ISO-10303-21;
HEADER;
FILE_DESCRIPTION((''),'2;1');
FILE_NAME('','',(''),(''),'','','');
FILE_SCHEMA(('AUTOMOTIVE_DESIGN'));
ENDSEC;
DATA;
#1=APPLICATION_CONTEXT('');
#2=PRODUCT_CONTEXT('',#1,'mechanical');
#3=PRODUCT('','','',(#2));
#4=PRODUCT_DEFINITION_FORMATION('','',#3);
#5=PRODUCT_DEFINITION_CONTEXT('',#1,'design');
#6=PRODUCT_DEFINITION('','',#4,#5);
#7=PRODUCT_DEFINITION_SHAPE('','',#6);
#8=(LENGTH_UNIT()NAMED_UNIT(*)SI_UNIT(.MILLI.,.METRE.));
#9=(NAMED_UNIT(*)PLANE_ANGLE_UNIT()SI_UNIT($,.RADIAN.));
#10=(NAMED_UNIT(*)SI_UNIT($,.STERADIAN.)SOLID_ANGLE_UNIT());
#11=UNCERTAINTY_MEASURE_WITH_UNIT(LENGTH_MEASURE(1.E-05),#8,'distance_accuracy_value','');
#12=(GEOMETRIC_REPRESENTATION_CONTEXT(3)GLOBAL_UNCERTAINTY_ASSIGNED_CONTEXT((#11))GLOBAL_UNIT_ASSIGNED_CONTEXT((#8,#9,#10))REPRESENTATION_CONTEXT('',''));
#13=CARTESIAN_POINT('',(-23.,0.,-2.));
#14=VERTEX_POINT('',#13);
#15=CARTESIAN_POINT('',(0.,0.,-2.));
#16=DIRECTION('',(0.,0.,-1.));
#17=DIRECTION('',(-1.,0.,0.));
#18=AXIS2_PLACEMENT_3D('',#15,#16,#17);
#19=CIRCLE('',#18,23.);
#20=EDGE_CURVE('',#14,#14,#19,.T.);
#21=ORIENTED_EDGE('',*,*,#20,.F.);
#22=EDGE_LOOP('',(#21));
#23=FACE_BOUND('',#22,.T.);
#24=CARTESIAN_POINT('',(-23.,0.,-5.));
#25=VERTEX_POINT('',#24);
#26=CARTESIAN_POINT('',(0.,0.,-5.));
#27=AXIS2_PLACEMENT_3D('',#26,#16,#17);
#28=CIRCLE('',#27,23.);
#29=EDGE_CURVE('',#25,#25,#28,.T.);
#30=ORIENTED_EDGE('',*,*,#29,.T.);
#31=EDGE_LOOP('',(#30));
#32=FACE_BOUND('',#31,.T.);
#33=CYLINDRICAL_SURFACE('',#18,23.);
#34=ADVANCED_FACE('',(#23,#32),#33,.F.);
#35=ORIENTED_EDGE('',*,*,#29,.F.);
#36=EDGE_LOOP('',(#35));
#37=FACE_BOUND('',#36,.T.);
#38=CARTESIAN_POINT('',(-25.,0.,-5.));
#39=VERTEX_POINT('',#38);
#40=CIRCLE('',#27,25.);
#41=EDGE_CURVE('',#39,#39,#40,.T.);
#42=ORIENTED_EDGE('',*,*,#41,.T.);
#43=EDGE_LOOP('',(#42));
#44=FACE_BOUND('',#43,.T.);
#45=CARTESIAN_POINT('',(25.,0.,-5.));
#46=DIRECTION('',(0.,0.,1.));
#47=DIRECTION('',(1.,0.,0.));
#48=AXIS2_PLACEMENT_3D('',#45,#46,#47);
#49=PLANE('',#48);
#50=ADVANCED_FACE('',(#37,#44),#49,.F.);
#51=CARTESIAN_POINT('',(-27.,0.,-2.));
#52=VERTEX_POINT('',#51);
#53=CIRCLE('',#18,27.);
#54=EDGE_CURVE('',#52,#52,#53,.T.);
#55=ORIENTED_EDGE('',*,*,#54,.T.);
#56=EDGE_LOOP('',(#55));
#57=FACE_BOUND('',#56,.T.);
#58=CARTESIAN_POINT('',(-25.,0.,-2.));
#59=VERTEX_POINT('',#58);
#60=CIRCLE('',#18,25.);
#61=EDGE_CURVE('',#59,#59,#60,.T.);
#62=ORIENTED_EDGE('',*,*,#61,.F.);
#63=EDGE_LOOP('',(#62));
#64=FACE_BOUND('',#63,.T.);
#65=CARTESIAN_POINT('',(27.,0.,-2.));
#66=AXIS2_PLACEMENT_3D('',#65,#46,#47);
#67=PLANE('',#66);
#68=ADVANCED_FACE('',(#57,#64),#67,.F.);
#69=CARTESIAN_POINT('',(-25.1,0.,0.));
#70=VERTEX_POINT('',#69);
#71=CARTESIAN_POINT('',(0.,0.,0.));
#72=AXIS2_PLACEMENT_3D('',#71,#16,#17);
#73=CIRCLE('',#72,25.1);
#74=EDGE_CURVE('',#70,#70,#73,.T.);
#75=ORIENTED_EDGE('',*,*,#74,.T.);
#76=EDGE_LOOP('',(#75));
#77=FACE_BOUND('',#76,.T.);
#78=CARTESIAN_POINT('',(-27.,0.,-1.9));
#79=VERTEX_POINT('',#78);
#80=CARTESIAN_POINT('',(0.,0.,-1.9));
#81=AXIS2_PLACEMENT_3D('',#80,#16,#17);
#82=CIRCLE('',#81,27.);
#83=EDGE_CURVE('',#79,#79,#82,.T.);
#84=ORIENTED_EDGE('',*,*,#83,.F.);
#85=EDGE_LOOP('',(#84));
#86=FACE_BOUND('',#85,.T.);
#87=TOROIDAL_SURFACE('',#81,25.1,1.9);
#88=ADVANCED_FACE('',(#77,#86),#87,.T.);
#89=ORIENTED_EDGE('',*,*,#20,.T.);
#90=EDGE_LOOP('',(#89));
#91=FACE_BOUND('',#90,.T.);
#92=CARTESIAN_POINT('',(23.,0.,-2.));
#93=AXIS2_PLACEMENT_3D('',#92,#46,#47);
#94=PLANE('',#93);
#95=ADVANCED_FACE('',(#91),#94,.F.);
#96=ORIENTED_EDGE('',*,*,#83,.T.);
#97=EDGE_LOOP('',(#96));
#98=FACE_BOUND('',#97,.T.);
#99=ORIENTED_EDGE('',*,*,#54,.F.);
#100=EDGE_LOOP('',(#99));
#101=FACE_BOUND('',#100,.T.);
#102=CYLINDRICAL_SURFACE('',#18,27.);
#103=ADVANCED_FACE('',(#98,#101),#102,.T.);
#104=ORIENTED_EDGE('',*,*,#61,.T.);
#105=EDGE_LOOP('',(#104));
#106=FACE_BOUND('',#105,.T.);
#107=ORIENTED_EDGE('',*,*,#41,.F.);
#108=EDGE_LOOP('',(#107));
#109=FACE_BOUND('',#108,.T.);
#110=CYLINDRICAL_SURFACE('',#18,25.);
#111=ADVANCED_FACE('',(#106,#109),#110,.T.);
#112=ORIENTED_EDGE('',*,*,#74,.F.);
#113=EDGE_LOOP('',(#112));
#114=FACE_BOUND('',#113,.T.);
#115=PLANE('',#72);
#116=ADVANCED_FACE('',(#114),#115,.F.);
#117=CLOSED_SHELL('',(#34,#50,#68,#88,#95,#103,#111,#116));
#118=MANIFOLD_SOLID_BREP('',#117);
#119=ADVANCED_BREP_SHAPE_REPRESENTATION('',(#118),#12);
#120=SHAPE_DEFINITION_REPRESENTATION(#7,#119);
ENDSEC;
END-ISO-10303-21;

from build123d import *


with BuildPart() as part:
    # Sketch2 → Revolve1 (revolve)
    with BuildSketch(Plane(origin=(0, 0, 0), x_dir=(1, 0, 0), z_dir=(0, 1, 0)), mode=Mode.PRIVATE) as revolve1_sk:
        with BuildLine():
            Line((0, 0), (25.1, 0))
            ThreePointArc((25.1, 0), (26.443502884, 0.556497116), (27, 1.9))
            Line((27, 1.9), (27, 2))
            Line((27, 2), (25, 2))
            Line((25, 2), (25, 5))
            Line((25, 5), (23, 5))
            Line((23, 5), (23, 2))
            Line((23, 2), (0, 2))
            Line((0, 2), (0, 0))
        make_face()
    revolve(revolve1_sk.sketch.rotate(Axis((0, 0, -2), (0, 0, 1)), 180), axis=Axis((0, 0, -2), (0, 0, 1)))


solid = part.part
